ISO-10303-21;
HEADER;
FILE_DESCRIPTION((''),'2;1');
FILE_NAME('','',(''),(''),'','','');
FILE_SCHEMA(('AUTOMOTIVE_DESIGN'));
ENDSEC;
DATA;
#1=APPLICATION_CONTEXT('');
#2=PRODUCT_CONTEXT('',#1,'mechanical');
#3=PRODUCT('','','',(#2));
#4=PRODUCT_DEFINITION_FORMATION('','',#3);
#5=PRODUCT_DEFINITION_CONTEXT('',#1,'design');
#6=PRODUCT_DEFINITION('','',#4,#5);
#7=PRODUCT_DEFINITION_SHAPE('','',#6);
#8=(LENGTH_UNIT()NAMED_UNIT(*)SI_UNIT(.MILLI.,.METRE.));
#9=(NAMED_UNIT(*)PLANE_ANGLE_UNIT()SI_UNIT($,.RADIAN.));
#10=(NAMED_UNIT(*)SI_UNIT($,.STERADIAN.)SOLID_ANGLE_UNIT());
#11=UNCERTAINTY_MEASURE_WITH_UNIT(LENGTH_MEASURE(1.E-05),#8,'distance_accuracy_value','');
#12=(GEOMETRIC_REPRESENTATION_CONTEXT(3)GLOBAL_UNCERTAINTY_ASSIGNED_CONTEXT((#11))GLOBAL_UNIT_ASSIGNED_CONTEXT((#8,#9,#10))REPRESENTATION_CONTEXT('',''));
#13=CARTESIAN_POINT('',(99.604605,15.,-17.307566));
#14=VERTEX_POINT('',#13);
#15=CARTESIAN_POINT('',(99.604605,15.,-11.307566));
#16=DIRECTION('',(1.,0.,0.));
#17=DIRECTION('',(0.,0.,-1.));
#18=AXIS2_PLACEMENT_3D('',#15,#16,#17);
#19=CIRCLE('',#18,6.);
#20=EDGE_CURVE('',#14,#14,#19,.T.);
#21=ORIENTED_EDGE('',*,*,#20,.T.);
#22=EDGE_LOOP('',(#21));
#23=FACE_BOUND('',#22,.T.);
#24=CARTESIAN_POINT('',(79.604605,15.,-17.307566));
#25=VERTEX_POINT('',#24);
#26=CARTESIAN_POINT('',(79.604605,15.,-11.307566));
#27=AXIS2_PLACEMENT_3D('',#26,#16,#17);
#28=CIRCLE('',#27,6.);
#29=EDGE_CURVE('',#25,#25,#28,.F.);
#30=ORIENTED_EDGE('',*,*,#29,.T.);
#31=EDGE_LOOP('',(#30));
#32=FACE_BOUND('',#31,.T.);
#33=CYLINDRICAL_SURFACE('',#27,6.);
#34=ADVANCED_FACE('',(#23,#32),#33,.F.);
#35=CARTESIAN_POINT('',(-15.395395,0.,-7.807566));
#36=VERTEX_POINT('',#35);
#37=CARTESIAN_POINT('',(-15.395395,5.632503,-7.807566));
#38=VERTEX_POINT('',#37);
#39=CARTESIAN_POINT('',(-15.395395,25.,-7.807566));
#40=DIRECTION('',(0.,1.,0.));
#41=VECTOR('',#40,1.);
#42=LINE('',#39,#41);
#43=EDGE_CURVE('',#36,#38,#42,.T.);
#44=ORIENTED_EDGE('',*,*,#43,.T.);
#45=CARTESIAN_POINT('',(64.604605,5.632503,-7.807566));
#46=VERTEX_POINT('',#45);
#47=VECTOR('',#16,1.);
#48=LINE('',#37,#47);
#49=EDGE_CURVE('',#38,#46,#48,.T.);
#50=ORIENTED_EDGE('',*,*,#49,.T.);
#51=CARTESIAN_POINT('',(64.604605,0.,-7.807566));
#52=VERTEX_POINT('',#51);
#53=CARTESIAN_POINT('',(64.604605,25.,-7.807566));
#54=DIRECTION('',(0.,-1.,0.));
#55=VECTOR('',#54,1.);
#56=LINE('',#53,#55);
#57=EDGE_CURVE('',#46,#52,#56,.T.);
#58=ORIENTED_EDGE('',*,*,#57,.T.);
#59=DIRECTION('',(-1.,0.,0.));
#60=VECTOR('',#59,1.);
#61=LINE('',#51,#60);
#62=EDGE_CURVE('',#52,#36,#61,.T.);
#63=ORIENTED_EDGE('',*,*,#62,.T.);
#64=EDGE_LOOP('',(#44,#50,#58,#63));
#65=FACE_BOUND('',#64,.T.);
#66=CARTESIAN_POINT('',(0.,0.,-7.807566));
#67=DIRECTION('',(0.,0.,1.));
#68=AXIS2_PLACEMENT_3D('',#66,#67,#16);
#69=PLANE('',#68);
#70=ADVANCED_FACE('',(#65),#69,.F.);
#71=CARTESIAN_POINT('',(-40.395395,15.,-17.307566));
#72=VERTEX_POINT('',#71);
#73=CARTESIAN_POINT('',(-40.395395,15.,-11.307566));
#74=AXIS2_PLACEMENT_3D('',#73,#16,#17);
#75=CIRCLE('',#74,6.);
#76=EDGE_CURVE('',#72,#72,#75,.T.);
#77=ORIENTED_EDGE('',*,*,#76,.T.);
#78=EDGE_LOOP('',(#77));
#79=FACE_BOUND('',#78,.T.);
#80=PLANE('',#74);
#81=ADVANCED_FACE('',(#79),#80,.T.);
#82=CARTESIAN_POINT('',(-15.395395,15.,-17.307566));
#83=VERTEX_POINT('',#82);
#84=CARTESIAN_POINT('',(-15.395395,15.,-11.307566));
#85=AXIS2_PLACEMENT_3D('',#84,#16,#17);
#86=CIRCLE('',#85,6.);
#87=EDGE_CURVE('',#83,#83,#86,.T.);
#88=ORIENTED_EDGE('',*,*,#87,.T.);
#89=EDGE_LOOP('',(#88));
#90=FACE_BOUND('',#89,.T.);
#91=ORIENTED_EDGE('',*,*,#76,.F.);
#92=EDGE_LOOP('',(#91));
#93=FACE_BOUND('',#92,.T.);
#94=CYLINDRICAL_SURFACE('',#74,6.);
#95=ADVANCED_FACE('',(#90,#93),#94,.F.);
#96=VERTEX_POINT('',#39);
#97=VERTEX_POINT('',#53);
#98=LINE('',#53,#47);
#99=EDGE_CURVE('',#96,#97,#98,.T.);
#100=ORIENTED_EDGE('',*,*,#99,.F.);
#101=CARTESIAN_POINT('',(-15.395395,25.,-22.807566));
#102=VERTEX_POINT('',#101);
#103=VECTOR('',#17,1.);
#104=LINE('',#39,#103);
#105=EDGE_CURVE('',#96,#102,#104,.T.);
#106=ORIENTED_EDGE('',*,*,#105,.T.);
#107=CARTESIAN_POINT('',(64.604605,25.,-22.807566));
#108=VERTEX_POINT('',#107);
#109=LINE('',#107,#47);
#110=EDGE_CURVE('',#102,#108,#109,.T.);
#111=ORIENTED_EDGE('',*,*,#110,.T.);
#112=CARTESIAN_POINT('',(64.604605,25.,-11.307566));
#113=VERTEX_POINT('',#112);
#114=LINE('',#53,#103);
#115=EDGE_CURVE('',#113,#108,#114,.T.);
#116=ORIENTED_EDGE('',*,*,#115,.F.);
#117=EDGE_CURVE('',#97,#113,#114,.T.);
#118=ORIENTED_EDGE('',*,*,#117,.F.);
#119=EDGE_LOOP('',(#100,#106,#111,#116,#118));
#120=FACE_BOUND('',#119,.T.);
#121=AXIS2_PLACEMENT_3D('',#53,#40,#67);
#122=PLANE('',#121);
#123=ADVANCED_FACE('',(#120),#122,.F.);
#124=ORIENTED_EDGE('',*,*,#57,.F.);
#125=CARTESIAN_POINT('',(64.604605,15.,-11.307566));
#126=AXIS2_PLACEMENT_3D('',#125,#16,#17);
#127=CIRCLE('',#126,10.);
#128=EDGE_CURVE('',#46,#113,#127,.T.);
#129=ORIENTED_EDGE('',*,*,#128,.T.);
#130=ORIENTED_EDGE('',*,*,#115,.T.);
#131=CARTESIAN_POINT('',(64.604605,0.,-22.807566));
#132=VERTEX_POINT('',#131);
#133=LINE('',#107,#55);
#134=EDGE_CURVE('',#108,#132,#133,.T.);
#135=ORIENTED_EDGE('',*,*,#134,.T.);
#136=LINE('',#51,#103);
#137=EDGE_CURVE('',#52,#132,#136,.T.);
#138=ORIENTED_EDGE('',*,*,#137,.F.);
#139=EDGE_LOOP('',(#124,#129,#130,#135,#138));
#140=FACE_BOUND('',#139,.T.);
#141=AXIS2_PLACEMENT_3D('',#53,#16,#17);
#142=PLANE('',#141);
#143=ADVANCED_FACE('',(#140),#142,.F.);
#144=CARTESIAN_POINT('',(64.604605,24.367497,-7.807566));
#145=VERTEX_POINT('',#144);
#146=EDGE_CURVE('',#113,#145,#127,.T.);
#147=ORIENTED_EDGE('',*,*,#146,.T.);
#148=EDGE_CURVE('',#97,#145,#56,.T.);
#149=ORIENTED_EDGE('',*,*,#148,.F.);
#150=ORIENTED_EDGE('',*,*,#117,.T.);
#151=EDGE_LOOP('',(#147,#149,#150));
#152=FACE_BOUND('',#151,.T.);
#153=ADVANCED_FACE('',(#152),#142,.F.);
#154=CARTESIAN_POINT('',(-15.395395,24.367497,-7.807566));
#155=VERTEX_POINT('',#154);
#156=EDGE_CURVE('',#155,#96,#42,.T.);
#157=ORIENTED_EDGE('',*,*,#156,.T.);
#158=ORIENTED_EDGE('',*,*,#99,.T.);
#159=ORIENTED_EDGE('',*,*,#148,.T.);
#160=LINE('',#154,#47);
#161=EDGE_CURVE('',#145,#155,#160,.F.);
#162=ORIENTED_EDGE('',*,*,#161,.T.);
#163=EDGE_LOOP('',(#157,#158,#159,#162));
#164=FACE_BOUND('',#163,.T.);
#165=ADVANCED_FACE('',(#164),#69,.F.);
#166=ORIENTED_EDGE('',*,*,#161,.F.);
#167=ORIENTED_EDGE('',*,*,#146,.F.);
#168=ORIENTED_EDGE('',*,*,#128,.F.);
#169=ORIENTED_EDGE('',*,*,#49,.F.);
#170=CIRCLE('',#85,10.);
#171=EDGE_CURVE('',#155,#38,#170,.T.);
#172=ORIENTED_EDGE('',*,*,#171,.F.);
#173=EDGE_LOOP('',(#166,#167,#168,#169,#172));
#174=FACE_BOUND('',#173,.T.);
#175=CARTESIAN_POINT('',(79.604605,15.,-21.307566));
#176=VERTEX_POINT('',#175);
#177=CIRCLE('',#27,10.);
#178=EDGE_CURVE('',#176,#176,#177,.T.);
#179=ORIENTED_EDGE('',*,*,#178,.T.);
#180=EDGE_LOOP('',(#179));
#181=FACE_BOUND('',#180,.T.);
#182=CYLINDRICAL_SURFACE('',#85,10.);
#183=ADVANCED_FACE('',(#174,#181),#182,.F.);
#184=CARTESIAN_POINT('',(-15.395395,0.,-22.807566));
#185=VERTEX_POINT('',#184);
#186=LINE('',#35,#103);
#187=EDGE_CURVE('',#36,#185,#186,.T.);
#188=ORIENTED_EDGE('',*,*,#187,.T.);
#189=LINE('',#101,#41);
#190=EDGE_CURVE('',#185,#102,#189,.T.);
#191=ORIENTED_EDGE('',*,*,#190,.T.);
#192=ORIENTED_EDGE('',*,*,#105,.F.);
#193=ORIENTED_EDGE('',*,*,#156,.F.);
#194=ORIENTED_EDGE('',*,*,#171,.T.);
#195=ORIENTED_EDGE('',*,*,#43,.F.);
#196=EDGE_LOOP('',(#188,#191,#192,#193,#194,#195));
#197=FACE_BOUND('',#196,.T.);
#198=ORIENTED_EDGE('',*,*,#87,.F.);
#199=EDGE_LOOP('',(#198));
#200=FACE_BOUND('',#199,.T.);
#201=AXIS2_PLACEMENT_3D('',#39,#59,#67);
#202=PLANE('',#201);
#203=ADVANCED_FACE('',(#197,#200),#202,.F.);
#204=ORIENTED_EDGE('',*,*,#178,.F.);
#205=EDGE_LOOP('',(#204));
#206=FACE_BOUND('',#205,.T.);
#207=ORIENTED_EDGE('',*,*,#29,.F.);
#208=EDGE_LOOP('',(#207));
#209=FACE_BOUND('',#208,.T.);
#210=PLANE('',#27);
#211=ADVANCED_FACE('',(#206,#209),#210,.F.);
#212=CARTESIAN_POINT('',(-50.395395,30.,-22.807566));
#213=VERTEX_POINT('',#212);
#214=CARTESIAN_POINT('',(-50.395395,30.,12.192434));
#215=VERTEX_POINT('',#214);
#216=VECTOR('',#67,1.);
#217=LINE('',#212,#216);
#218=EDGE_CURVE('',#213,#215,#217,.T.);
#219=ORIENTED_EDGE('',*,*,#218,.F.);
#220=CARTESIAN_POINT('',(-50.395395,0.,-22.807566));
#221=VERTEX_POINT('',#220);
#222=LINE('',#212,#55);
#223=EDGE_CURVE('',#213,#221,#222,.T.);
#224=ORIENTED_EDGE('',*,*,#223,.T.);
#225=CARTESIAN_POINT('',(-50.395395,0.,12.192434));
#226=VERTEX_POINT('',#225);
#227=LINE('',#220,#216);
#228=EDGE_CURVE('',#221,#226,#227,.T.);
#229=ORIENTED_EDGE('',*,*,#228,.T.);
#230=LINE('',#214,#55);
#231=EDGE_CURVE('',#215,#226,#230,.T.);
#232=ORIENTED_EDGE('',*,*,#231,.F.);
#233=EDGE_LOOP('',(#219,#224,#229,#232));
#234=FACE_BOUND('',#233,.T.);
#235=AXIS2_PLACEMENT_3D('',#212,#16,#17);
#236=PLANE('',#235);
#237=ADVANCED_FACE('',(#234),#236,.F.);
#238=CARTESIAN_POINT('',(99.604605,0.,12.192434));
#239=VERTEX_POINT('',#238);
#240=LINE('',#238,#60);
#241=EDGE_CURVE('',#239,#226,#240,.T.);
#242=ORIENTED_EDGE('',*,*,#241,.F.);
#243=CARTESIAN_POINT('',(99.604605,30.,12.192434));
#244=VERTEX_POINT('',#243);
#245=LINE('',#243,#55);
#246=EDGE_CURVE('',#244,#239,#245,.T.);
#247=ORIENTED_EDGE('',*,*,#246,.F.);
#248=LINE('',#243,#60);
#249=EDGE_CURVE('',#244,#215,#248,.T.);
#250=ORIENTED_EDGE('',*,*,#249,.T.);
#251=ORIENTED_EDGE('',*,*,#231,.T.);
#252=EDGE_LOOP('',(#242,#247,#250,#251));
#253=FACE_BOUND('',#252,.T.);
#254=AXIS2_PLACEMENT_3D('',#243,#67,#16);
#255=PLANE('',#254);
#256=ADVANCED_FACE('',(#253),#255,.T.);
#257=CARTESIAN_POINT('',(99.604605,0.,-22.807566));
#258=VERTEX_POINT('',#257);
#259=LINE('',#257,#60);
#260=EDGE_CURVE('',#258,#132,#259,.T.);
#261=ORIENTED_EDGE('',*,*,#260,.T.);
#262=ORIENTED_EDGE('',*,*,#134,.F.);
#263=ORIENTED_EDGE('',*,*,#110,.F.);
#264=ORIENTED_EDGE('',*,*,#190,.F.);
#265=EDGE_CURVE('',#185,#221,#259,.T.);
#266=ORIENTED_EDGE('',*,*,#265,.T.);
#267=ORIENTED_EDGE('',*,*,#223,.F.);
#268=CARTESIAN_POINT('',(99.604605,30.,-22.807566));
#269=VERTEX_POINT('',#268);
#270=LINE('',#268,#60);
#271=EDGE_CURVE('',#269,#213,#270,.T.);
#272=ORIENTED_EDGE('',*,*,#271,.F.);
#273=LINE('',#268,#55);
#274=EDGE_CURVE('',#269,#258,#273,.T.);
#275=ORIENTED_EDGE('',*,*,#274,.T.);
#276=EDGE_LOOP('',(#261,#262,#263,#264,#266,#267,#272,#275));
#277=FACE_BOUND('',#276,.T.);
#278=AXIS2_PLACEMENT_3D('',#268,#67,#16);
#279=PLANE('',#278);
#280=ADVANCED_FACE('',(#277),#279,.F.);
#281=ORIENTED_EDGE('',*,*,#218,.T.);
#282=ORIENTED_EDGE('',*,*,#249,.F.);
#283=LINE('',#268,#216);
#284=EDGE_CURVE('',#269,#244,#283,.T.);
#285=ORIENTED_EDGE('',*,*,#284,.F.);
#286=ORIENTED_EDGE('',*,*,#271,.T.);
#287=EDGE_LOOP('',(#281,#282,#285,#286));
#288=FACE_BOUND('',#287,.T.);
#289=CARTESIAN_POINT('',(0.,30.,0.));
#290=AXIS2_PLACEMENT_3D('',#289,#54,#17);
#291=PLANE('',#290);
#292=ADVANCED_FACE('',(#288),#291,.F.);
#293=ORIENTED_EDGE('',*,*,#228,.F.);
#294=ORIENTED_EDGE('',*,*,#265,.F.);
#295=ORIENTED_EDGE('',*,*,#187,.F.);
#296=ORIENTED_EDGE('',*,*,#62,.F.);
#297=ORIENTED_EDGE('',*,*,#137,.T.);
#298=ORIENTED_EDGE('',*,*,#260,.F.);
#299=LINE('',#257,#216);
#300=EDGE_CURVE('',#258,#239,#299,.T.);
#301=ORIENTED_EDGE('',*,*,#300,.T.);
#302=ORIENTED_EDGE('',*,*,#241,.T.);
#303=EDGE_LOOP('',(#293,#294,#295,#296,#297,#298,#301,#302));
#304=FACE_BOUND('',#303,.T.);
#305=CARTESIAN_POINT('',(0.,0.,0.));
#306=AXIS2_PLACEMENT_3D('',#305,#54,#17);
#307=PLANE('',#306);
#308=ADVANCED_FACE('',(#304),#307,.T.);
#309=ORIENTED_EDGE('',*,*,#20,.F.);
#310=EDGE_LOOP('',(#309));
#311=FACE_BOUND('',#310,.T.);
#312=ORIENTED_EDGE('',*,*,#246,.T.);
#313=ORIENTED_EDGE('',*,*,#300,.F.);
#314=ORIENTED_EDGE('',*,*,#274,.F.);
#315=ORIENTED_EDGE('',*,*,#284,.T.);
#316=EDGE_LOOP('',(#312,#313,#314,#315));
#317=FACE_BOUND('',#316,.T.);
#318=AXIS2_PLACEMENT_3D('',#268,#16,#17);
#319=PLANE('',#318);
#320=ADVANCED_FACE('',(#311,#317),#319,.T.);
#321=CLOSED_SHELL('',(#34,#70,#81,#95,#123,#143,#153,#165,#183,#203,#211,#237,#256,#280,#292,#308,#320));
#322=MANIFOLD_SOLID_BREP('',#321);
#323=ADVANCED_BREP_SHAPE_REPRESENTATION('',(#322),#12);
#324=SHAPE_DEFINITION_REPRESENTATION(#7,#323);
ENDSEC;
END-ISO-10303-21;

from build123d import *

# Parameters (mm, degrees)
SKETCH_1_W          = 150
SKETCH_1_H          = 35
EXTRUDE_1_DEPTH     = 30
SKETCH_2_R          = 6
CUT_EXTRUDE_3_DEPTH = 20
SKETCH_3_W          = 80
SKETCH_3_H          = 25
CUT_EXTRUDE_2_DEPTH = 15
SKETCH_5_R          = 10
CUT_EXTRUDE_6_DEPTH = 95
SKETCH_6_R          = 6
CUT_EXTRUDE_7_DEPTH = 25


with BuildPart() as part:
    # Эскиз1 → Бобышка-Вытянуть1 (new body)
    with BuildSketch(Plane(origin=(0, 0, 0), x_dir=(1, 0, 0), z_dir=(0, 1, 0))):
        with Locations((24.604604994, 5.307565724)):
            Rectangle(SKETCH_1_W, SKETCH_1_H)
    extrude(amount=EXTRUDE_1_DEPTH)

    # Эскиз2 → Вырез-Вытянуть3 (cut)
    with BuildSketch(Plane(origin=(99.604604994, 0, 0), x_dir=(0, 0, -1), z_dir=(1, 0, 0))):
        with Locations((11.307565724, 15)):
            Circle(SKETCH_2_R)
    extrude(amount=-CUT_EXTRUDE_3_DEPTH, mode=Mode.SUBTRACT)

    # Эскиз3 → Вырез-Вытянуть2 (cut)
    with BuildSketch(Plane(origin=(0, 0, -22.807565724), x_dir=(-1, 0, 0), z_dir=(0, 0, -1))):
        with Locations((-24.604604994, 12.5)):
            Rectangle(SKETCH_3_W, SKETCH_3_H)
    extrude(amount=-CUT_EXTRUDE_2_DEPTH, mode=Mode.SUBTRACT)

    # Эскиз5 → Вырез-Вытянуть6 (cut)
    with BuildSketch(Plane(origin=(79.604604994, 0, 0), x_dir=(0, 0, -1), z_dir=(1, 0, 0))):
        with Locations((11.307565724, 15)):
            Circle(SKETCH_5_R)
    extrude(amount=-CUT_EXTRUDE_6_DEPTH, mode=Mode.SUBTRACT)

    # Эскиз6 → Вырез-Вытянуть7 (cut)
    with BuildSketch(Plane(origin=(-15.395395006, 0, 0), x_dir=(0, 0, -1), z_dir=(1, 0, 0))):
        with Locations((11.307565724, 15)):
            Circle(SKETCH_6_R)
    extrude(amount=-CUT_EXTRUDE_7_DEPTH, mode=Mode.SUBTRACT)


solid = part.part
